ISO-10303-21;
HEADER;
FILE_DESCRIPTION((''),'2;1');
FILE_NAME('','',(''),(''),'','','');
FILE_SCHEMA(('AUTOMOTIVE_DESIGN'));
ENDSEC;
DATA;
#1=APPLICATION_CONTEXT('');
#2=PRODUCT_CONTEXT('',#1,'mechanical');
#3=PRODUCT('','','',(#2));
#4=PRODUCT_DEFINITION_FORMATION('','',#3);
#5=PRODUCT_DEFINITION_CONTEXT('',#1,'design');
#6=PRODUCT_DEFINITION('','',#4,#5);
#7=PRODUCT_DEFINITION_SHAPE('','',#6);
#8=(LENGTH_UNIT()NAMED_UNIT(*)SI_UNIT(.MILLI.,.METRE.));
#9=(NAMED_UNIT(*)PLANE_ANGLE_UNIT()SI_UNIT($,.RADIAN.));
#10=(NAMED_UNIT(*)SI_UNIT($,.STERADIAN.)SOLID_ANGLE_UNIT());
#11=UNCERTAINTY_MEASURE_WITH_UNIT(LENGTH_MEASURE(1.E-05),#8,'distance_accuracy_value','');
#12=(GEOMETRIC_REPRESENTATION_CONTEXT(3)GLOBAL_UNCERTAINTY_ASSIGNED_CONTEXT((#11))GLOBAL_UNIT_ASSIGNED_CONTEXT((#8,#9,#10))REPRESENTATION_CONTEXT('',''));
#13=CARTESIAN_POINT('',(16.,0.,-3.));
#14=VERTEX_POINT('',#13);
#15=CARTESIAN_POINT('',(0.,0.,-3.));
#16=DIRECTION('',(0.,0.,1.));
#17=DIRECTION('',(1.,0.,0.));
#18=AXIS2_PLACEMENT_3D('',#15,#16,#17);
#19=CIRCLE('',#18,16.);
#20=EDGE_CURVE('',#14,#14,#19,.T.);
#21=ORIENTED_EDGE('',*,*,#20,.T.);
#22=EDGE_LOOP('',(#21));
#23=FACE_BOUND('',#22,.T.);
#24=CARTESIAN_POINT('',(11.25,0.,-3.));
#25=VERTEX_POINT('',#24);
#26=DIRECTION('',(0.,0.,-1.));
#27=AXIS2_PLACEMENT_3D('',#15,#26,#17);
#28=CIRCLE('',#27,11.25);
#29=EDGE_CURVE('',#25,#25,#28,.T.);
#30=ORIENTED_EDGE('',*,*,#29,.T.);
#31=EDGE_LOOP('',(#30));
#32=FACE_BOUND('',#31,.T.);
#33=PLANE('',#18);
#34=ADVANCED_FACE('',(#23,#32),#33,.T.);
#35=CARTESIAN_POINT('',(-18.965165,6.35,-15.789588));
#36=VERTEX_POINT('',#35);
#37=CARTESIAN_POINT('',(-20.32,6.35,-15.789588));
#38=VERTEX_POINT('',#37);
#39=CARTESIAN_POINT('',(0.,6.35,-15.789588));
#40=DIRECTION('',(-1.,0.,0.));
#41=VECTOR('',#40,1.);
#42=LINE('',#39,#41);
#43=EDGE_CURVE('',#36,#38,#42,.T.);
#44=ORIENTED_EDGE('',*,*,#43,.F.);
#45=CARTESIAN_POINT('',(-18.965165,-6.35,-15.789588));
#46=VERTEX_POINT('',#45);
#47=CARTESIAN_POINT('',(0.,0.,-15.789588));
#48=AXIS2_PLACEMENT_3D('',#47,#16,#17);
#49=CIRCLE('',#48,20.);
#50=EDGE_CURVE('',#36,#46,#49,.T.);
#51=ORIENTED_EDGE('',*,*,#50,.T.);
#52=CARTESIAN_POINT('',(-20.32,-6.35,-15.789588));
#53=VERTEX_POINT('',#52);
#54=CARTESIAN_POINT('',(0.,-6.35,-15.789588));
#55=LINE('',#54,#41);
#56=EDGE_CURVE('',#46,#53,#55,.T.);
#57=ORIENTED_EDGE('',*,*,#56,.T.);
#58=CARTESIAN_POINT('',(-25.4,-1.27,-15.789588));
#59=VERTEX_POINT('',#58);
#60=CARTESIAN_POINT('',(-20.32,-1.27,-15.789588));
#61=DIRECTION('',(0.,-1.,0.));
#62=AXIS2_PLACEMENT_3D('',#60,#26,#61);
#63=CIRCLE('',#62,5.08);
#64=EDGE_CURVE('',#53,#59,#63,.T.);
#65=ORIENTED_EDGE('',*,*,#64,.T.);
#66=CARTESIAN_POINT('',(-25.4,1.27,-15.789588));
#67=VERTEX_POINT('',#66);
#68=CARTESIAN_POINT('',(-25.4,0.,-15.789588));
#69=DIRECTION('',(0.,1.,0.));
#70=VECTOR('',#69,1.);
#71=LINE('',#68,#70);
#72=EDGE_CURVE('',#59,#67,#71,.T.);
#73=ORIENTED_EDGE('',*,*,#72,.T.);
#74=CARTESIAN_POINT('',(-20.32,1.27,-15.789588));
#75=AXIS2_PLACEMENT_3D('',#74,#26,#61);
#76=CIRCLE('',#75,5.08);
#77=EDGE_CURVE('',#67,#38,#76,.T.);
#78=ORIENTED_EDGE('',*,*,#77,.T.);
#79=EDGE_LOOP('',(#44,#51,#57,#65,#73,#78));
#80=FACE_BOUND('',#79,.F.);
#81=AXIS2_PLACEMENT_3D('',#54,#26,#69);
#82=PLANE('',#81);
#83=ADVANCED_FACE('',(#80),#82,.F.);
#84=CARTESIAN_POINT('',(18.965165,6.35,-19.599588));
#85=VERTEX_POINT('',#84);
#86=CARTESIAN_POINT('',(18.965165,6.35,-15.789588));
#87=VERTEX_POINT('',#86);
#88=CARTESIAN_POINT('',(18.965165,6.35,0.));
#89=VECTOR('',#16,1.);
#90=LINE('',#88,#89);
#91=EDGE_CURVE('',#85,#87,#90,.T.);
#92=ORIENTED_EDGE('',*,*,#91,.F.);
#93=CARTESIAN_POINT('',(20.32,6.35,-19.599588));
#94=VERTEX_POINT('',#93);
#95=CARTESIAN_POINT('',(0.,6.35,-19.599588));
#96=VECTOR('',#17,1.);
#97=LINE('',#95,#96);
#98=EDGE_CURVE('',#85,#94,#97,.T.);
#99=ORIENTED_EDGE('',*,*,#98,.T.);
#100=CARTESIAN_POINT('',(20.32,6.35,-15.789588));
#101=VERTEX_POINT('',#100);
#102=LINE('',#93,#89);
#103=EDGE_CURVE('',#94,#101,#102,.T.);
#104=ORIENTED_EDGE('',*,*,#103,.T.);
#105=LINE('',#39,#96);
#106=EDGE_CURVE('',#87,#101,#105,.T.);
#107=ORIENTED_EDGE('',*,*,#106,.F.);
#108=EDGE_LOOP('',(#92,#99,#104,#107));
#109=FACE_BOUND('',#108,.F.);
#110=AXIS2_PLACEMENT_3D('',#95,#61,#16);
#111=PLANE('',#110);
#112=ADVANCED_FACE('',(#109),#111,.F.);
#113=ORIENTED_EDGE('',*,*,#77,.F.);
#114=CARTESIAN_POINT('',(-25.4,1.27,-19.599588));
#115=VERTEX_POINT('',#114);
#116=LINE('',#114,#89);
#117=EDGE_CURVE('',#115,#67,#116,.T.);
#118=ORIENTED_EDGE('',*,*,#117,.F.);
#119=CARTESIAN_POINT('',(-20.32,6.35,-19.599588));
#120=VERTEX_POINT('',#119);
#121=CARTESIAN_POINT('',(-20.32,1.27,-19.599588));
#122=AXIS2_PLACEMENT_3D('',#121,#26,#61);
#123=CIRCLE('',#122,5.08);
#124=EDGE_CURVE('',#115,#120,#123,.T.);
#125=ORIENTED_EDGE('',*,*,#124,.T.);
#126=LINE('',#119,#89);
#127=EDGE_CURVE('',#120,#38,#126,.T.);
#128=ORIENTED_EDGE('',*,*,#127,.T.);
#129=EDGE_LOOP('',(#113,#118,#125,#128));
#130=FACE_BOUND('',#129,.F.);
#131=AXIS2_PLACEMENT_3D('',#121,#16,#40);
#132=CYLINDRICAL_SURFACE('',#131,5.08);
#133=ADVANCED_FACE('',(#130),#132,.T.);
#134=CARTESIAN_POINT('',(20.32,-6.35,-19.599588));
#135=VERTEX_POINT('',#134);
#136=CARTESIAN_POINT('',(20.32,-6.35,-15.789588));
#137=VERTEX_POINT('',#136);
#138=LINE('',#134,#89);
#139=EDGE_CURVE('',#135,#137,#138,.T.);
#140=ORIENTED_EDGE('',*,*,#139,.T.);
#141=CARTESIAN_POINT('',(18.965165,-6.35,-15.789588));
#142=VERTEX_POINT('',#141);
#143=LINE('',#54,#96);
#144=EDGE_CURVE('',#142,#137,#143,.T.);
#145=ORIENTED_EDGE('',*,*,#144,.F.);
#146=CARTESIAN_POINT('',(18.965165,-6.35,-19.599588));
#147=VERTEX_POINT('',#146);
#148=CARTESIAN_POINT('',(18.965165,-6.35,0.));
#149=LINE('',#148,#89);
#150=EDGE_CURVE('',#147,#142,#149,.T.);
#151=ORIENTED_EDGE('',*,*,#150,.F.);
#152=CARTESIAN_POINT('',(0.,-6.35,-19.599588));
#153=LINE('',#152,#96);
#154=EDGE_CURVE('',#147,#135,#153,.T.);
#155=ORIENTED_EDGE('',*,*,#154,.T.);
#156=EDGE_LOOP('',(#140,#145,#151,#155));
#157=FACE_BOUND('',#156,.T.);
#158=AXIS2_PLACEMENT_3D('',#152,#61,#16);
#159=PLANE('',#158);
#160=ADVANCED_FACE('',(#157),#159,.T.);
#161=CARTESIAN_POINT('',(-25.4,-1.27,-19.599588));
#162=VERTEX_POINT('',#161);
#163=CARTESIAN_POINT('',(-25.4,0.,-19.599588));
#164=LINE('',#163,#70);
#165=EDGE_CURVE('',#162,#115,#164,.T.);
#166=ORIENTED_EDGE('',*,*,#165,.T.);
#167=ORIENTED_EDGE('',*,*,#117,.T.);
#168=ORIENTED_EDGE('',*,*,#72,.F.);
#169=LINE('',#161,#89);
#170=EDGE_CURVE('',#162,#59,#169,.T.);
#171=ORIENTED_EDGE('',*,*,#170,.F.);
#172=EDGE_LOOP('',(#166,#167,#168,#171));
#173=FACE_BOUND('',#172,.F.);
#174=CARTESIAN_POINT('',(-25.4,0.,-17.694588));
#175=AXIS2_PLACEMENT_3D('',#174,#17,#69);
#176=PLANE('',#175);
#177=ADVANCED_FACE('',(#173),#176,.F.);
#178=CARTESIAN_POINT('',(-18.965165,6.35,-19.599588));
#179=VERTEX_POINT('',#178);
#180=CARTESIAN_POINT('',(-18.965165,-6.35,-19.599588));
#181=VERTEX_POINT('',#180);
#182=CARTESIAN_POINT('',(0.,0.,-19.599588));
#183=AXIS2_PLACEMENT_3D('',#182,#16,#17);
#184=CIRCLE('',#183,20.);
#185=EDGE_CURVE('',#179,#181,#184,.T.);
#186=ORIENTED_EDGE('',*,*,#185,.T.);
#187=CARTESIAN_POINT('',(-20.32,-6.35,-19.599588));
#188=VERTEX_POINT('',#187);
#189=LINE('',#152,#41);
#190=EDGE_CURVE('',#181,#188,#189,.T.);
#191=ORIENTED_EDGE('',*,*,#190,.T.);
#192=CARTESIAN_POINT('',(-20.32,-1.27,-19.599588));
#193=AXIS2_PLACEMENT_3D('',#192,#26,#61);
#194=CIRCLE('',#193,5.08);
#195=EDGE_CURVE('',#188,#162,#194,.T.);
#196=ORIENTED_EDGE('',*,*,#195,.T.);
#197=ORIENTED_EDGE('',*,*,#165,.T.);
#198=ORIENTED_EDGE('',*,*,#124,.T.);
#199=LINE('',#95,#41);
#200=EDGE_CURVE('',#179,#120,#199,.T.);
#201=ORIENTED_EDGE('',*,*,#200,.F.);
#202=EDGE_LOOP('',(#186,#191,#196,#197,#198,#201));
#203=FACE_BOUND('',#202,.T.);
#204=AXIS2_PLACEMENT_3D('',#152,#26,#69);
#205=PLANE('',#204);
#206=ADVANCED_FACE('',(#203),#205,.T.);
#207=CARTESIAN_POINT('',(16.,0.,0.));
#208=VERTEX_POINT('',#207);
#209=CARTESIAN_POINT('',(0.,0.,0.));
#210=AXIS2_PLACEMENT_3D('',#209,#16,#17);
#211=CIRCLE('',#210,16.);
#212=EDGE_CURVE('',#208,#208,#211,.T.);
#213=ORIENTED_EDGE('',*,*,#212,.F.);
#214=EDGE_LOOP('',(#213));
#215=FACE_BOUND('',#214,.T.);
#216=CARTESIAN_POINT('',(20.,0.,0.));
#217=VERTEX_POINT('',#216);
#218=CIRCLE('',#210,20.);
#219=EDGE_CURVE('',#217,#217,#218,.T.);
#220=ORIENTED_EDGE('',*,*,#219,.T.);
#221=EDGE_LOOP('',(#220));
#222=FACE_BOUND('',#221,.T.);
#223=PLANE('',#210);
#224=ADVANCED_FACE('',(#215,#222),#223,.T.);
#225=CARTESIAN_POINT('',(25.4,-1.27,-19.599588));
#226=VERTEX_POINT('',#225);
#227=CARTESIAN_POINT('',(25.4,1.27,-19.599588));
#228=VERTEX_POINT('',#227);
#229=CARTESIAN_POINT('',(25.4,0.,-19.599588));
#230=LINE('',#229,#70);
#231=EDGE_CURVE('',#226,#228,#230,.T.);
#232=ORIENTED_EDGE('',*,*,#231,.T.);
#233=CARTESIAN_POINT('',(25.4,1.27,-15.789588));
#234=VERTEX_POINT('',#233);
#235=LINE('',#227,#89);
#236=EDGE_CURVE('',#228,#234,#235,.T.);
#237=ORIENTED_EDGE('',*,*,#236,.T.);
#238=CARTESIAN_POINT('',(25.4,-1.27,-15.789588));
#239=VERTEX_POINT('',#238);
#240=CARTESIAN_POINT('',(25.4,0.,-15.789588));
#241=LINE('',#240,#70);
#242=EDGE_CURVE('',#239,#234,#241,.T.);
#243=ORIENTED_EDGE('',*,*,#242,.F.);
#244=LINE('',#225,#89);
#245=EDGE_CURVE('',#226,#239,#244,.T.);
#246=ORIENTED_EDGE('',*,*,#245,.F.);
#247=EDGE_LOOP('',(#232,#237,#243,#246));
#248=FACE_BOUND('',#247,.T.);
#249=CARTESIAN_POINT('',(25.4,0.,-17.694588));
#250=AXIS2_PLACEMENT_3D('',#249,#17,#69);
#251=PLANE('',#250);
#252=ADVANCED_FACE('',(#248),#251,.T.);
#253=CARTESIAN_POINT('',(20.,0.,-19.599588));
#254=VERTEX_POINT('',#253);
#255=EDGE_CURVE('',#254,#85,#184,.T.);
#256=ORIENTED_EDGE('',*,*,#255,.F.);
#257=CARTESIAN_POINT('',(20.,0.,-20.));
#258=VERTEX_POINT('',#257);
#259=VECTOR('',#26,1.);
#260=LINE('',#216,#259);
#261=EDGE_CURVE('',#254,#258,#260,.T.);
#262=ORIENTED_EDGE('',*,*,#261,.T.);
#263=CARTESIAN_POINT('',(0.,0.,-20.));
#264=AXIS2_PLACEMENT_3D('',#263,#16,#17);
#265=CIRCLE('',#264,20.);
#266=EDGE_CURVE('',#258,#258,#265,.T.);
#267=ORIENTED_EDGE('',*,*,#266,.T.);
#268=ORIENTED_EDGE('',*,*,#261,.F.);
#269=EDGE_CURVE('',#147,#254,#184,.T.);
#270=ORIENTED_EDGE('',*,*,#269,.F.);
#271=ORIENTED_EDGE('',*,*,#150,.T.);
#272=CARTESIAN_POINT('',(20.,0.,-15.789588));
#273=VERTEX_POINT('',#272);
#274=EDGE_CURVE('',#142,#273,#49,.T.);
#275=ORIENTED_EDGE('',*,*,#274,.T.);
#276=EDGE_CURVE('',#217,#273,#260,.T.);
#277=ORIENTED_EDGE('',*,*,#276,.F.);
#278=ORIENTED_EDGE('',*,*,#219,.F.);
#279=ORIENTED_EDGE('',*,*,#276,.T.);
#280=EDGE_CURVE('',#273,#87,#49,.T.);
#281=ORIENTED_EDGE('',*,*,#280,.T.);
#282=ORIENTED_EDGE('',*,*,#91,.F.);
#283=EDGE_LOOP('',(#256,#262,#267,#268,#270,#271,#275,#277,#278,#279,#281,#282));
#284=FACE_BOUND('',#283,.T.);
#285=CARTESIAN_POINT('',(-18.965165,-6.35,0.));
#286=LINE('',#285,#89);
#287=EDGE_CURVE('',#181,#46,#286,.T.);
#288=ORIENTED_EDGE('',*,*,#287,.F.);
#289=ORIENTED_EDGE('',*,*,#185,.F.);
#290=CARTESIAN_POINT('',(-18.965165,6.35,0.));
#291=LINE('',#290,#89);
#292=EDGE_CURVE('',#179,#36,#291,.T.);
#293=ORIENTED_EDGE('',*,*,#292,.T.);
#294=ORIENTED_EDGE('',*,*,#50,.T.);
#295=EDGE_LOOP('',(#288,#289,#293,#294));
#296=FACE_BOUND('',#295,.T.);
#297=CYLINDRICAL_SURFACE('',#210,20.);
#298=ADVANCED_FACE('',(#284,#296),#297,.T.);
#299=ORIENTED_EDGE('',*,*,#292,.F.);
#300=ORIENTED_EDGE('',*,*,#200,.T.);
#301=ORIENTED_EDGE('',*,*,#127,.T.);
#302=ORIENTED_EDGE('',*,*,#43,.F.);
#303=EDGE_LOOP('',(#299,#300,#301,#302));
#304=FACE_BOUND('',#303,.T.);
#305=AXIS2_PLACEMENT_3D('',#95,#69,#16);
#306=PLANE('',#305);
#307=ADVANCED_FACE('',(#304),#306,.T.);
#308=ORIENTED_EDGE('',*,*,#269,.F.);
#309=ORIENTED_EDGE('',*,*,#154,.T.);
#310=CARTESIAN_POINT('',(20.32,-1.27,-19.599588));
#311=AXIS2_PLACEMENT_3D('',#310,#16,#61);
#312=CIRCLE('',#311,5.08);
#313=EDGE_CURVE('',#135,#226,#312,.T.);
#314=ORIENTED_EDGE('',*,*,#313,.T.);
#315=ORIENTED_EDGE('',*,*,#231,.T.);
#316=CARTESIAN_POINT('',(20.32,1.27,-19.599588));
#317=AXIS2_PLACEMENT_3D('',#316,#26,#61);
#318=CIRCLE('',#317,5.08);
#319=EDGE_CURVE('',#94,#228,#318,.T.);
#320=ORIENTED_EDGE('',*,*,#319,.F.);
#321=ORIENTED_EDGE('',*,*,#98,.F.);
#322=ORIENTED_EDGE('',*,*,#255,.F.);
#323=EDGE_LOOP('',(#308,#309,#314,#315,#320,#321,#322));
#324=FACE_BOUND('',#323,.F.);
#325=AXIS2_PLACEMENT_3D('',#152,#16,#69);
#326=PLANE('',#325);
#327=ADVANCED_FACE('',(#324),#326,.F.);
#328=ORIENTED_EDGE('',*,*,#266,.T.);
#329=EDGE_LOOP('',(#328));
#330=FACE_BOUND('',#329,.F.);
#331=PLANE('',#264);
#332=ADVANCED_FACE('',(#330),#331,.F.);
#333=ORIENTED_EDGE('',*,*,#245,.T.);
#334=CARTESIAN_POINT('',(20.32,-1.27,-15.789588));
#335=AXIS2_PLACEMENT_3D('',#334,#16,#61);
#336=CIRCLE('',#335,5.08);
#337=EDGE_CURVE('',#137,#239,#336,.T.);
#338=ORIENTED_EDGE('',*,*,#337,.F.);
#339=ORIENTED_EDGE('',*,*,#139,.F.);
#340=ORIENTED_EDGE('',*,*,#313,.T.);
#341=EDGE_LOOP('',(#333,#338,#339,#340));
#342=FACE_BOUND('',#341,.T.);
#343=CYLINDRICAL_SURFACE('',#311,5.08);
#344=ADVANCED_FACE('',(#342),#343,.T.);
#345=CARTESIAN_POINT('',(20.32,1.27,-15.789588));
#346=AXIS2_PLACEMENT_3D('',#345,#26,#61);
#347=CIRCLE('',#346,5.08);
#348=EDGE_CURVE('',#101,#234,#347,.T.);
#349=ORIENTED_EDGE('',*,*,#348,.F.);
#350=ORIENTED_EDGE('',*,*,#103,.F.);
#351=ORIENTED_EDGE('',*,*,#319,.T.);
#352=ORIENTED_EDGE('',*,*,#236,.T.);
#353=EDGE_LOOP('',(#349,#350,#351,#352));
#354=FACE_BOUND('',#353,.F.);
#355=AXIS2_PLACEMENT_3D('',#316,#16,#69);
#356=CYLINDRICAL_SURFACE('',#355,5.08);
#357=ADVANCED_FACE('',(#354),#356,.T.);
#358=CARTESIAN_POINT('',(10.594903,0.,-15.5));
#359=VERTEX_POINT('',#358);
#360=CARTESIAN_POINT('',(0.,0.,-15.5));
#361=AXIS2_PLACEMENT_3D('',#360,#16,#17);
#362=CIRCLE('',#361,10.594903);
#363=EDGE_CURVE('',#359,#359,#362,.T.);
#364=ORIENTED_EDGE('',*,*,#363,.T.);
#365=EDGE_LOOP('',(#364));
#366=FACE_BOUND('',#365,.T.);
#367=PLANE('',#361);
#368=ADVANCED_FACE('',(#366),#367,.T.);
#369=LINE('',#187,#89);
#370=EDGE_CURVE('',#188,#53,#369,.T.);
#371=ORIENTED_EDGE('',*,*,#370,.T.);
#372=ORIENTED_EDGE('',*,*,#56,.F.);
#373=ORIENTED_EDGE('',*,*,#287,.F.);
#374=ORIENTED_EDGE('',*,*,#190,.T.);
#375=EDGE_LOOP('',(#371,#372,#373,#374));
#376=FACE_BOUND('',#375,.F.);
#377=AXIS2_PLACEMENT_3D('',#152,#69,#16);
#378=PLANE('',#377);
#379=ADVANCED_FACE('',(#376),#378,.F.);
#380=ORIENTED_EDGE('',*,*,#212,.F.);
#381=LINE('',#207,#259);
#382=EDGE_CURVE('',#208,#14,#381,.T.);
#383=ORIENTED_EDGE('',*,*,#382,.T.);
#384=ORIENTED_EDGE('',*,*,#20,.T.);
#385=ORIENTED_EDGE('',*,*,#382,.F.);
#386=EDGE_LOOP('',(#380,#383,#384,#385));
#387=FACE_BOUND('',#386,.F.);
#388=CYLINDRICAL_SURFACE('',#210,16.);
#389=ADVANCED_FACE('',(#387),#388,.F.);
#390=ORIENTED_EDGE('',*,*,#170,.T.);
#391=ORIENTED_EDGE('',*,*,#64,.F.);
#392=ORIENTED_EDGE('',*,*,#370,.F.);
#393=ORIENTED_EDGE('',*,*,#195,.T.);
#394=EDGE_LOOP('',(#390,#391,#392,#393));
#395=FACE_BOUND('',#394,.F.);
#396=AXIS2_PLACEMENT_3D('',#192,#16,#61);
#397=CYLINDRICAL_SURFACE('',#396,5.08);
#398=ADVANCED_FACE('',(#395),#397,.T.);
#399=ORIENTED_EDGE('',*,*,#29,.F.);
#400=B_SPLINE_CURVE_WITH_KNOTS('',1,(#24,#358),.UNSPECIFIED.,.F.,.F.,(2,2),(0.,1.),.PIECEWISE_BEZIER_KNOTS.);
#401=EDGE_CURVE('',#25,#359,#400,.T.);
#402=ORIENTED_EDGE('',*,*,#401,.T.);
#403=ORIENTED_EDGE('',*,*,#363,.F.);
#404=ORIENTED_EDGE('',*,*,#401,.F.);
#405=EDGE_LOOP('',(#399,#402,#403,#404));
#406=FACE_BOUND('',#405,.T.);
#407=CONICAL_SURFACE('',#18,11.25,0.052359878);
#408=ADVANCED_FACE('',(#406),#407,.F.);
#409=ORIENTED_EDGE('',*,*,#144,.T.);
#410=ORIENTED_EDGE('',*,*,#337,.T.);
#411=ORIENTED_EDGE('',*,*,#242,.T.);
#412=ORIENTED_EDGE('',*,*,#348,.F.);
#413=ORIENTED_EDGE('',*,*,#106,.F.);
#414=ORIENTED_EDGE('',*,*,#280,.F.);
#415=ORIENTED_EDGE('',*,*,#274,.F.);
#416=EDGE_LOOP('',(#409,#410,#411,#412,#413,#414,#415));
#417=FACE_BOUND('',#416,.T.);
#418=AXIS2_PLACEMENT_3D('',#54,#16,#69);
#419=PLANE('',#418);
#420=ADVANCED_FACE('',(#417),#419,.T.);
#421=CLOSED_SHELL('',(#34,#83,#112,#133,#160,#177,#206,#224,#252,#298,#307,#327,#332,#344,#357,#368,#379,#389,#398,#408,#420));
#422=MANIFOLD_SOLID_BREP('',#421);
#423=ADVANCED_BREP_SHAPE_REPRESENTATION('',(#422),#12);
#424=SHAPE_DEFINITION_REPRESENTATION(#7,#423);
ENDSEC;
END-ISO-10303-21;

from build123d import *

# Parameters (mm, degrees)
F0_R     = 20
F1_DEPTH = 20
F2_R     = 16
F3_DEPTH = 3
F4_R     = 11.25
F5_DEPTH = 12.5
F5_TAPER = 3
F6_W     = 12.7
F6_H     = 3.81
F7_DEPTH = 25.4
F8_DEPTH = 25.4
F9_R     = 5.08


with BuildPart() as f1:
    # F0 (on Top) → F1 (new body)
    with BuildSketch(Plane.XY):
        Circle(F0_R)
    extrude(amount=-F1_DEPTH)

    # F2 (on face) → F3 (cut)
    with BuildSketch(Plane.XY):
        Circle(F2_R)
    extrude(amount=-F3_DEPTH, mode=Mode.SUBTRACT)

    # F4 (on face) → F5 (cut)
    with BuildSketch(Plane.XY.offset(-3)):
        Circle(F4_R)
    extrude(amount=-F5_DEPTH, taper=F5_TAPER, mode=Mode.SUBTRACT)

    # F6 (on Right) → F7 (join)
    with BuildSketch(Plane.YZ):
        with Locations((0, -17.6945884627)):
            Rectangle(F6_W, F6_H)
    extrude(amount=F7_DEPTH)

    # F6 (on Right) → F8 (join)
    with BuildSketch(Plane.YZ):
        with Locations((0, -17.6945884627)):
            Rectangle(F6_W, F6_H)
    extrude(amount=-F8_DEPTH)

    # F9
    f9_edges = [f1.edges().sort_by_distance(p)[0] for p in [
        (-25.4, 6.35, -17.694588),
        (-25.4, -6.35, -17.694588),
        (25.4, -6.35, -17.694588),
        (25.4, 6.35, -17.694588),
    ]]
    fillet(f9_edges, radius=F9_R)


solid = f1.part
